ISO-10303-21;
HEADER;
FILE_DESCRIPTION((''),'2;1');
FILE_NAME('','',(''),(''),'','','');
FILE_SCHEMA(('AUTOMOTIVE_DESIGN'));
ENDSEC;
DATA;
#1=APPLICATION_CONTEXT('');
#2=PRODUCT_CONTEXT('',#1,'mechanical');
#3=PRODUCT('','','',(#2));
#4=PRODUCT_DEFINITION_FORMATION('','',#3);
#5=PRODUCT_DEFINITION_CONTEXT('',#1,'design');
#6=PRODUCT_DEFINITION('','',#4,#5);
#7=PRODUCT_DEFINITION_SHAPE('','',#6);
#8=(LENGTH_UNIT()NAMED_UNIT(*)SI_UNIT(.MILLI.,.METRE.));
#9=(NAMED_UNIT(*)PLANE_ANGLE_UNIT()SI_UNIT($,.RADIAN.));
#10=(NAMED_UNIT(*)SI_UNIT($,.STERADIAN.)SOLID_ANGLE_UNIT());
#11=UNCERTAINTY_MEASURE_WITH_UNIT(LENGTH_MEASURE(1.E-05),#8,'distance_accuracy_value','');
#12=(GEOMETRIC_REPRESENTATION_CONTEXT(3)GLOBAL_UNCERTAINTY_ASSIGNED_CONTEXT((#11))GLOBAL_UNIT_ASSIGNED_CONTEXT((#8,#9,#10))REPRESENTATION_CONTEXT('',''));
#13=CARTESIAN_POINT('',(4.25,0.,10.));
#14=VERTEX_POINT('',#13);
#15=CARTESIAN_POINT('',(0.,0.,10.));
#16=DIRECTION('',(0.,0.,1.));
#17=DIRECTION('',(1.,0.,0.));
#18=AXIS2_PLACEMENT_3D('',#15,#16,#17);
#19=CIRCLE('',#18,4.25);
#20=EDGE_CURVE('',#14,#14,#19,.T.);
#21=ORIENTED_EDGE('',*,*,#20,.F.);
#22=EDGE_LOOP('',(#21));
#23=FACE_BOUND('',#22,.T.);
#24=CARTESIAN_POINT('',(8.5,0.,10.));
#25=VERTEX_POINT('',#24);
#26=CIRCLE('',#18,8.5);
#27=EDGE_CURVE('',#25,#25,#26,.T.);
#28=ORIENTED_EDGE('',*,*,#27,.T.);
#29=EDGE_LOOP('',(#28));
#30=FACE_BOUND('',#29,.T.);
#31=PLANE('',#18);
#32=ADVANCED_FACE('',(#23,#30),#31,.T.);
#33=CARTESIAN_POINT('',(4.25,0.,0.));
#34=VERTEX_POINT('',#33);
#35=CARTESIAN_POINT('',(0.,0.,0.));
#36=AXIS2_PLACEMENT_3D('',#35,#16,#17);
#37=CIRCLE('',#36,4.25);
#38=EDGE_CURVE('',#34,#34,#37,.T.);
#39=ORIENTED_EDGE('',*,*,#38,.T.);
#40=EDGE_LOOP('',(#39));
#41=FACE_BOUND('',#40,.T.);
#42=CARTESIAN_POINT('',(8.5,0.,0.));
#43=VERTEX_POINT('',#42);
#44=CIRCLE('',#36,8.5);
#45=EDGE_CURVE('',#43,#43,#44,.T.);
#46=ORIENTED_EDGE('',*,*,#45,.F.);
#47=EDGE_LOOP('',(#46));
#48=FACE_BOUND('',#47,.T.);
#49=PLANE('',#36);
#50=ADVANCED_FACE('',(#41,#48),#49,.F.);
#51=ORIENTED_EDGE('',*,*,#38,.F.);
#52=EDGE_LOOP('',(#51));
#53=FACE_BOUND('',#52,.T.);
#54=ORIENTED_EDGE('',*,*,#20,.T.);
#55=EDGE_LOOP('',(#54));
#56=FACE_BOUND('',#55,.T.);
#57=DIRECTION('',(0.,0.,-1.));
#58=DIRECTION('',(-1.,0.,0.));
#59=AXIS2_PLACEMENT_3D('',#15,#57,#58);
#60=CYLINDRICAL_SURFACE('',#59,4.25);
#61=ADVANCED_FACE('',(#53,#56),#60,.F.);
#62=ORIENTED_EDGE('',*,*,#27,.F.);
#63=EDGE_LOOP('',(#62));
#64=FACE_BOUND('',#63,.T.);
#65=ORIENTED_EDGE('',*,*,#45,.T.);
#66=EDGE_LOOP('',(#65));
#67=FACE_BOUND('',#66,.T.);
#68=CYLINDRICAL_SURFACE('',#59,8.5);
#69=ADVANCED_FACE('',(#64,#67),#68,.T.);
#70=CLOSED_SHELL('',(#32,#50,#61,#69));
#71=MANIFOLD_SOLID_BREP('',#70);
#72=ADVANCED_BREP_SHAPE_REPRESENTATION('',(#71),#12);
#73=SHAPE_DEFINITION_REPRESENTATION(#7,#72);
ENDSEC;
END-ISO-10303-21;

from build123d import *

# Parameters (mm, degrees)
ESQUISSE1_R        = 8.5
ESQUISSE1_R_2      = 4.25
BOSS_EXTRU_1_DEPTH = 10


with BuildPart() as part:
    # Esquisse1 → Boss.-Extru.1 (new body)
    with BuildSketch(Plane.XY):
        Circle(ESQUISSE1_R)
        Circle(ESQUISSE1_R_2, mode=Mode.SUBTRACT)
    extrude(amount=BOSS_EXTRU_1_DEPTH)


solid = part.part
